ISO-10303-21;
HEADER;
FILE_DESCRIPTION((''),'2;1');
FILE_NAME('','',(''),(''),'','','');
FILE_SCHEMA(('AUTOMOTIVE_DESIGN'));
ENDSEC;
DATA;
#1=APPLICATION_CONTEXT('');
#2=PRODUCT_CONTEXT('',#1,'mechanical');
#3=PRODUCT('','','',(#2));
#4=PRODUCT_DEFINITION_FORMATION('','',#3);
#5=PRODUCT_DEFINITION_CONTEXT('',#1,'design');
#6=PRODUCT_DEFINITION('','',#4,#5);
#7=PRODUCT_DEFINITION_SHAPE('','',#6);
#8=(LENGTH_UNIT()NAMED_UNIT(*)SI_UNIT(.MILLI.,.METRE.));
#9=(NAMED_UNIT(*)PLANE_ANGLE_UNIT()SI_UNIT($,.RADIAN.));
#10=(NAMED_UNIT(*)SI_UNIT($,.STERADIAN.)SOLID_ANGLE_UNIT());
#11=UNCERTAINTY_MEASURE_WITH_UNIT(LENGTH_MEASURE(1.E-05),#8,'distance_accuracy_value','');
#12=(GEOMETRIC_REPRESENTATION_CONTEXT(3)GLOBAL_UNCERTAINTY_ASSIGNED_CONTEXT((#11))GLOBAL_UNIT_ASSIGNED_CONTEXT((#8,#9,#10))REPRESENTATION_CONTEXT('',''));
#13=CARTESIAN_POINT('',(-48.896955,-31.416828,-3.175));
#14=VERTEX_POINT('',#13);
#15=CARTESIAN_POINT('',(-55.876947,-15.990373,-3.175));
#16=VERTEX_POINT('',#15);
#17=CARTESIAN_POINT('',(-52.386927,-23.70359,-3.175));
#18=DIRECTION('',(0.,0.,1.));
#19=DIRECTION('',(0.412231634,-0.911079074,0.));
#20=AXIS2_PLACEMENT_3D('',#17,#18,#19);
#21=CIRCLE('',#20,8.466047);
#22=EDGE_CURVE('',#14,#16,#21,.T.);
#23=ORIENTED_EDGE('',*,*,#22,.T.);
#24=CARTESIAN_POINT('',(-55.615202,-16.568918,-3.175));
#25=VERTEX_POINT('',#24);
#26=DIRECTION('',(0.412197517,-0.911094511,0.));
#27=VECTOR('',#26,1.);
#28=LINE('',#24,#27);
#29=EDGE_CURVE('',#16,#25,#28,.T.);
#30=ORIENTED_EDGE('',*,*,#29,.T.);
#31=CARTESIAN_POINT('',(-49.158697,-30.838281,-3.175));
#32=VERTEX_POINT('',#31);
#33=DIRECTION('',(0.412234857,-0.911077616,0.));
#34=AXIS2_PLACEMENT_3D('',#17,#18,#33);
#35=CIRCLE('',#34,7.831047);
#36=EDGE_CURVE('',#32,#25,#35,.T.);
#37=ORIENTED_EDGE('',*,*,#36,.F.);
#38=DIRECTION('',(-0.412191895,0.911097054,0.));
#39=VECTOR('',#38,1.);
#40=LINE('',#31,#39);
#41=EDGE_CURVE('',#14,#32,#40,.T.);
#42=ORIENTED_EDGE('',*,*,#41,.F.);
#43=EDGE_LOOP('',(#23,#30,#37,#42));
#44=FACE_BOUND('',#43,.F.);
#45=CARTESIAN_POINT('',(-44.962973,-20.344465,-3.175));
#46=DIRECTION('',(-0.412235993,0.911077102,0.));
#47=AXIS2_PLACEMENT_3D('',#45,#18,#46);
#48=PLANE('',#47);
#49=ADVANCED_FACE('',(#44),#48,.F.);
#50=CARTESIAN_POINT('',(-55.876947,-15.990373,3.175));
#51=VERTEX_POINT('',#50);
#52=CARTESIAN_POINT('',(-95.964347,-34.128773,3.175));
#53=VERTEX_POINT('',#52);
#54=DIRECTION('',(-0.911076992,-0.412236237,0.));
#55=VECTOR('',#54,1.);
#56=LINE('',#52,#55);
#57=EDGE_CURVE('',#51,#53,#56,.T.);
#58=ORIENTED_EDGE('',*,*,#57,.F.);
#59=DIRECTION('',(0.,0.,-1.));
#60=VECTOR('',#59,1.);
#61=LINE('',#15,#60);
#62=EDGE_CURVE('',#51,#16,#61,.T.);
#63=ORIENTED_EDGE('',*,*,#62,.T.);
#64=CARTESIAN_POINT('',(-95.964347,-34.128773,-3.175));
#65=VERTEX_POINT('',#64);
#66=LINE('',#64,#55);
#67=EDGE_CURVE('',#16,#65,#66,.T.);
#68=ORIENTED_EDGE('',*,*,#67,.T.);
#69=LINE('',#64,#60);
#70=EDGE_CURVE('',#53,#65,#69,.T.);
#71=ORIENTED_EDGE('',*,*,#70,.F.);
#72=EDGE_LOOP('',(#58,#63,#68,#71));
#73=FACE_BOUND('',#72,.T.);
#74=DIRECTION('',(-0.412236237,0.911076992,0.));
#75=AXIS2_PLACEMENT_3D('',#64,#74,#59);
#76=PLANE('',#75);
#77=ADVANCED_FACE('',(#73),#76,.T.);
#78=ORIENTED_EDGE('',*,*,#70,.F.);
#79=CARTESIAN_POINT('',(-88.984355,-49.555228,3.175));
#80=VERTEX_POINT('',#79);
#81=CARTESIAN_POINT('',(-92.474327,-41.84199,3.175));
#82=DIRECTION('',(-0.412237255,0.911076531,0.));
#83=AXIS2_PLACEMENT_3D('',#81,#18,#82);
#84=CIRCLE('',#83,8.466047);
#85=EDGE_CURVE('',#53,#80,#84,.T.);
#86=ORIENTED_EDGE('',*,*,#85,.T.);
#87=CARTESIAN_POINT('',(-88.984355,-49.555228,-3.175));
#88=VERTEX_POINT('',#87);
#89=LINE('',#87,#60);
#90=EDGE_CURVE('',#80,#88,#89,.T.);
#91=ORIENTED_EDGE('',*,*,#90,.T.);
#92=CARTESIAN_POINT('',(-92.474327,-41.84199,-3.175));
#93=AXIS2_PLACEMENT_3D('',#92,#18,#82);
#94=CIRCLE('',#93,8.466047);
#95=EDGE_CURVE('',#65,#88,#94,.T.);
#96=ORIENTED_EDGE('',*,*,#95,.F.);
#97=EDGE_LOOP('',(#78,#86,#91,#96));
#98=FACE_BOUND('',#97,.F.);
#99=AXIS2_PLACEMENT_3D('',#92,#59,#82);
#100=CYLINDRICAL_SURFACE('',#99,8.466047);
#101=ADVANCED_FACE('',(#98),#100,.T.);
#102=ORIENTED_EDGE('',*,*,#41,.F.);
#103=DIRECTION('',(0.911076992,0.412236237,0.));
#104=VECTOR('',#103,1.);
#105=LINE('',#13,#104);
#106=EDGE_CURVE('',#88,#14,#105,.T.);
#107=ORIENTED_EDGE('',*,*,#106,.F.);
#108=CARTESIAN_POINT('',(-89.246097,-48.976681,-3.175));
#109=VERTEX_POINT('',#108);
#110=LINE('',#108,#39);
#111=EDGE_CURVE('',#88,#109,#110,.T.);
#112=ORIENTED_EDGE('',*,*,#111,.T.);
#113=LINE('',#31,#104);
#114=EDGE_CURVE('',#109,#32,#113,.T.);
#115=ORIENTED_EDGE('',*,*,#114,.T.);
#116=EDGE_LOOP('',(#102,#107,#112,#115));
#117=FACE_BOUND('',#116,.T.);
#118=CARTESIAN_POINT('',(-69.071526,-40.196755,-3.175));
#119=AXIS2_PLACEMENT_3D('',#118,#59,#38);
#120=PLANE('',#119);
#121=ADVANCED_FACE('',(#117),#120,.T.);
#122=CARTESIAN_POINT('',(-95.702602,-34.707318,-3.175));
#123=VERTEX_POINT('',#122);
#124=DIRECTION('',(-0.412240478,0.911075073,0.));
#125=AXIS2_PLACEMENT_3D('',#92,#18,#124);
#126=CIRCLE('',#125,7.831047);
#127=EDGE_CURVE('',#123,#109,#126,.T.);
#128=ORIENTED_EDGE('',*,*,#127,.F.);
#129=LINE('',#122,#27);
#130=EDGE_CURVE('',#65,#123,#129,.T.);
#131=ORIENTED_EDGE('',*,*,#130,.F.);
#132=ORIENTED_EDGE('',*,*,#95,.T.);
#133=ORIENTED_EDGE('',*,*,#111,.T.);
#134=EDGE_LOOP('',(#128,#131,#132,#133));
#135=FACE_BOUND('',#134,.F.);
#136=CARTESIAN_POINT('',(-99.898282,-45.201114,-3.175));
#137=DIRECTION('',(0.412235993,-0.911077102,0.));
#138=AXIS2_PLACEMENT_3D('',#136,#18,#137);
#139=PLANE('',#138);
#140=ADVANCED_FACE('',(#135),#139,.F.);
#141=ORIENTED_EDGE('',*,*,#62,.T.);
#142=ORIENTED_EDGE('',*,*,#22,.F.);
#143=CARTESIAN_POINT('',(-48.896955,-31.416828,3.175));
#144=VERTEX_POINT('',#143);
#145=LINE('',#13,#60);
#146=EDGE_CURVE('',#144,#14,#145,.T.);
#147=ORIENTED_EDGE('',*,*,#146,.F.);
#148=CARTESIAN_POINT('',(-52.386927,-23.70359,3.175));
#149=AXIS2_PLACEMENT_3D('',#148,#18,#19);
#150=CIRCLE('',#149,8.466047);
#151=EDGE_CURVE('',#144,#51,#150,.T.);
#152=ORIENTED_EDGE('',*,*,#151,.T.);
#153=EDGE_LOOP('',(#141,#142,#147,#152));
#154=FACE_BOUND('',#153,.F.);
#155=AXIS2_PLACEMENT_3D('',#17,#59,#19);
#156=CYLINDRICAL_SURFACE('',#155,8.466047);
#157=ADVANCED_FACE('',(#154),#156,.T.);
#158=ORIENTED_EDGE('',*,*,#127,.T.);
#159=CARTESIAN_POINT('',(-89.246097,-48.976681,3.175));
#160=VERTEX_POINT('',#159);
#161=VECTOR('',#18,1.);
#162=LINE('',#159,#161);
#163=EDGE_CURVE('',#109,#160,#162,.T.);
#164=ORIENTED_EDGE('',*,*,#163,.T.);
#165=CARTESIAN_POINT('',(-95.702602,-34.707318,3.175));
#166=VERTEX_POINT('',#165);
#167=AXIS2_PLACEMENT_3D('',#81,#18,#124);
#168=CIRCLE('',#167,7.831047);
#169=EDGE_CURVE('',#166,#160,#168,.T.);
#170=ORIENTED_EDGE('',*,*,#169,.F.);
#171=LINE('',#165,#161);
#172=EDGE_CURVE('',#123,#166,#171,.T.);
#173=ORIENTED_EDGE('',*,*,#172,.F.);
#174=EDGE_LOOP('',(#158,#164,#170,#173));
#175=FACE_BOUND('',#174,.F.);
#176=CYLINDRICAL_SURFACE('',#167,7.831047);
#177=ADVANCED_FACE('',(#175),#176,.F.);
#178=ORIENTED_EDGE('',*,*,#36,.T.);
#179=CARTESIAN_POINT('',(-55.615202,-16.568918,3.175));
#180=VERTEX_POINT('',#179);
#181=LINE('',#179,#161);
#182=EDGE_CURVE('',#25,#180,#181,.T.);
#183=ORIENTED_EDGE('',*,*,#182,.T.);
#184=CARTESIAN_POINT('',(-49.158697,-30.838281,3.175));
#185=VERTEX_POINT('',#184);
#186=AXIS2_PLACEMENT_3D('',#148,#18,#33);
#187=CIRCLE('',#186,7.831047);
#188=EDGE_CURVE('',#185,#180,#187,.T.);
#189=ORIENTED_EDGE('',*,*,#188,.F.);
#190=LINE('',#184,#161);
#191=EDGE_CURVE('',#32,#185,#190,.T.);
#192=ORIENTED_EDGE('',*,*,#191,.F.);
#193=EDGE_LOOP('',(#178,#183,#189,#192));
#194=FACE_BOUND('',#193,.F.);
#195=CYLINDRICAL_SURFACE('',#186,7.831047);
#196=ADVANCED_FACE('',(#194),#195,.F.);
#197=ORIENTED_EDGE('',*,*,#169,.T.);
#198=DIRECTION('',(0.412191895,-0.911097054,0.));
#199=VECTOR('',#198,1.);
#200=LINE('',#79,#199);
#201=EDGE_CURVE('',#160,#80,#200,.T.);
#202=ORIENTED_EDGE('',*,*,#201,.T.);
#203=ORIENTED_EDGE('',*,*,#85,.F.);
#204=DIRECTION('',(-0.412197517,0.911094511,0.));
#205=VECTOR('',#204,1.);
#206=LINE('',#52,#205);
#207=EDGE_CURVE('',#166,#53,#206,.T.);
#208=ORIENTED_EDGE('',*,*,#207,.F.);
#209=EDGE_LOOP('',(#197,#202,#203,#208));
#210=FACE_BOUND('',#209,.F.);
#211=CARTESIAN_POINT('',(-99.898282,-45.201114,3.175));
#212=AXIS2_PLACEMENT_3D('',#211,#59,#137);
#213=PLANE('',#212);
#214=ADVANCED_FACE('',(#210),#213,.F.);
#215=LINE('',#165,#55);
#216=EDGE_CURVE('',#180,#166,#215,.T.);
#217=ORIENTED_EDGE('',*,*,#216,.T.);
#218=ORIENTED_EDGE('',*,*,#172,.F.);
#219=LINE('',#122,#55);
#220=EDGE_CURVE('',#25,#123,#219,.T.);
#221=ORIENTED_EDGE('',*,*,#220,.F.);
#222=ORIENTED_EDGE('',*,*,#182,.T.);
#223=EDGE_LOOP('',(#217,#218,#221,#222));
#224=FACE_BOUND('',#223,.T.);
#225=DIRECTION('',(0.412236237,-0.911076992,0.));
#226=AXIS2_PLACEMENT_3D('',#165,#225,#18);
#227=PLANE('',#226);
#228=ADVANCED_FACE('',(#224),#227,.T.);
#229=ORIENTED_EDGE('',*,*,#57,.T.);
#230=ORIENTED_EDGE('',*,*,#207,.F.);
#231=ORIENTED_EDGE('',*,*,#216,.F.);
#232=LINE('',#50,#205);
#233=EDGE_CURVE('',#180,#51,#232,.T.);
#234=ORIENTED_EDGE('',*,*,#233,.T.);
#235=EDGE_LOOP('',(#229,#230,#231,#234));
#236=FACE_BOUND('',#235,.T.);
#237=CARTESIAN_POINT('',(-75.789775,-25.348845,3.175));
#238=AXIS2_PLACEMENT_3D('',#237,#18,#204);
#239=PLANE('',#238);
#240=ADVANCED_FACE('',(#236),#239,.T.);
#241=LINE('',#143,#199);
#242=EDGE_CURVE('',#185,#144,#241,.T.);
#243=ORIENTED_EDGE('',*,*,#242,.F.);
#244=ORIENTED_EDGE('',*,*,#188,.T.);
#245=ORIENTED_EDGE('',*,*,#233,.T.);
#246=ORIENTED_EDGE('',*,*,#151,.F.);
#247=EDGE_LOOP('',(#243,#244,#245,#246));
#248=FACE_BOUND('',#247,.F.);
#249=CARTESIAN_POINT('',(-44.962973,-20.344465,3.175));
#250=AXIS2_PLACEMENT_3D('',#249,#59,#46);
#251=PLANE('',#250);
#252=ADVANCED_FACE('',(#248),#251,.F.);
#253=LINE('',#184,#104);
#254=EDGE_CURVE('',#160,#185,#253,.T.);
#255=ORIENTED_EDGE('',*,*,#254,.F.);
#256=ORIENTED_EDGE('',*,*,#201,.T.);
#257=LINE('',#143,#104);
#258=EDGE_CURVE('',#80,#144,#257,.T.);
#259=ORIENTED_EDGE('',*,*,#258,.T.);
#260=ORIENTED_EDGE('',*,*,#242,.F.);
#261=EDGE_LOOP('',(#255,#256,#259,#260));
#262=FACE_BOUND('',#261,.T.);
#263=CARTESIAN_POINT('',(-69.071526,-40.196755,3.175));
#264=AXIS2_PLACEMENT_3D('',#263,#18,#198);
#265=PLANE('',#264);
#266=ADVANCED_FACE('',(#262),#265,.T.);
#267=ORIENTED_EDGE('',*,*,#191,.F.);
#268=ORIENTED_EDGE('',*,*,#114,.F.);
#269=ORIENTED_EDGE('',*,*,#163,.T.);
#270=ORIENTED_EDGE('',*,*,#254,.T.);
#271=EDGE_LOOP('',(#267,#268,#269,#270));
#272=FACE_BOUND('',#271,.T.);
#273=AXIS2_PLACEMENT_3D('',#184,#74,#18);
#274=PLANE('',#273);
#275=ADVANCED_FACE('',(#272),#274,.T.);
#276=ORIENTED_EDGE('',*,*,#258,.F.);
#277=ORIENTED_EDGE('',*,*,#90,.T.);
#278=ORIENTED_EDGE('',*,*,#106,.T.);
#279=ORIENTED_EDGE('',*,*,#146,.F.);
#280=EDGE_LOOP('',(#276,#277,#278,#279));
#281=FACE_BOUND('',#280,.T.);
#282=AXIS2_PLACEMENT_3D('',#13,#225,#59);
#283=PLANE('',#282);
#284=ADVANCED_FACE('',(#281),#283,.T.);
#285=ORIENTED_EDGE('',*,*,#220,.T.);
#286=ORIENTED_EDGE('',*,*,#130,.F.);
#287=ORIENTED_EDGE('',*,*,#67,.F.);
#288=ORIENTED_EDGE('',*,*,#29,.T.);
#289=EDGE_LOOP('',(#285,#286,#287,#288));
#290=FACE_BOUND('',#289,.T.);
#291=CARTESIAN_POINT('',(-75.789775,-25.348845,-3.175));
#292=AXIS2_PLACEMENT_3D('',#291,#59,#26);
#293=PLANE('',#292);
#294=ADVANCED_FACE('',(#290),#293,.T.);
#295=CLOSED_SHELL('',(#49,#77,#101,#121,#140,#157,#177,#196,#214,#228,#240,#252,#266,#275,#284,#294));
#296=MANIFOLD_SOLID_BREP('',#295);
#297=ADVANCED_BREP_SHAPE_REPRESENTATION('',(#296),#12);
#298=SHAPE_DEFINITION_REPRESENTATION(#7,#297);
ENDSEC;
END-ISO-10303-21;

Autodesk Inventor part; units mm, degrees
sketch "Sketch Path" plane through (0, 0, 0) normal (0, 0, 1) x (1, 0, 0)
  arc A0 (-49.054, -31.0697) -> (-55.7199, -16.3375) centre (-52.3869, -23.7036) ccw
  arc A1 (-95.8073, -34.4759) -> (-89.1414, -49.2081) centre (-92.4743, -41.842) ccw
  line L0 (-95.8073, -34.4759) -> (-55.7199, -16.3375)
  line L1 (-49.054, -31.0697) -> (-89.1414, -49.2081)
ref_plane "Cross Section Plane" through (-55.7199, -16.3375, 0) normal (-0.9111, -0.4122, 0) x (0, 0, 1)
ref_plane "Work Plane2" through (-52.3869, -23.7036, 0) normal (-1, 0, 0) x (0, 0, 1)
ref_plane "Work Plane3" through (-92.4743, -41.842, 0) normal (0.9583, 0.2859, 0) x (0, 0, 1)
sketch "Cross Section" plane through (-55.7199, -16.3375, 0) normal (-0.9111, -0.4122, 0) x (0, 0, 1)
  line L0 (-3.175, 0.381) -> (3.175, 0.381)
  line L1 (3.175, 0.381) -> (3.175, -0.254)
  line L2 (3.175, -0.254) -> (-3.175, -0.254)
  line L3 (-3.175, -0.254) -> (-3.175, 0.381)
  line L4 (-3.175, 0) -> (3.175, 0) construction
  point P0 (0, 0)
  point P1 (0, 0)
  dimension "d0" = 6.35
  dimension "d4" = 0.254
  dimension "d5" = 0.381
sweep "Belt" add profiles "Cross Section" path "Sketch Path"
equation "\"d0\" = da_B"
equation "\"d4\" = da_a"
equation "\"d5\" = da_a2"
equation "\"da_B\" = 6.35"
equation "\"da_pb\" = 2.032"
equation "\"da_L\" = 138.8"
equation "\"da_a\" = 0.254"
equation "\"da_S\" = 1.143"
equation "\"da_Beta\" = 20deg"
equation "\"da_Ht\" = 0.508"
equation "\"da_H\" = 1.143"
equation "\"da_a2\" = 0.381"
properties part number "Synchronous Belt" material "Rubber"
